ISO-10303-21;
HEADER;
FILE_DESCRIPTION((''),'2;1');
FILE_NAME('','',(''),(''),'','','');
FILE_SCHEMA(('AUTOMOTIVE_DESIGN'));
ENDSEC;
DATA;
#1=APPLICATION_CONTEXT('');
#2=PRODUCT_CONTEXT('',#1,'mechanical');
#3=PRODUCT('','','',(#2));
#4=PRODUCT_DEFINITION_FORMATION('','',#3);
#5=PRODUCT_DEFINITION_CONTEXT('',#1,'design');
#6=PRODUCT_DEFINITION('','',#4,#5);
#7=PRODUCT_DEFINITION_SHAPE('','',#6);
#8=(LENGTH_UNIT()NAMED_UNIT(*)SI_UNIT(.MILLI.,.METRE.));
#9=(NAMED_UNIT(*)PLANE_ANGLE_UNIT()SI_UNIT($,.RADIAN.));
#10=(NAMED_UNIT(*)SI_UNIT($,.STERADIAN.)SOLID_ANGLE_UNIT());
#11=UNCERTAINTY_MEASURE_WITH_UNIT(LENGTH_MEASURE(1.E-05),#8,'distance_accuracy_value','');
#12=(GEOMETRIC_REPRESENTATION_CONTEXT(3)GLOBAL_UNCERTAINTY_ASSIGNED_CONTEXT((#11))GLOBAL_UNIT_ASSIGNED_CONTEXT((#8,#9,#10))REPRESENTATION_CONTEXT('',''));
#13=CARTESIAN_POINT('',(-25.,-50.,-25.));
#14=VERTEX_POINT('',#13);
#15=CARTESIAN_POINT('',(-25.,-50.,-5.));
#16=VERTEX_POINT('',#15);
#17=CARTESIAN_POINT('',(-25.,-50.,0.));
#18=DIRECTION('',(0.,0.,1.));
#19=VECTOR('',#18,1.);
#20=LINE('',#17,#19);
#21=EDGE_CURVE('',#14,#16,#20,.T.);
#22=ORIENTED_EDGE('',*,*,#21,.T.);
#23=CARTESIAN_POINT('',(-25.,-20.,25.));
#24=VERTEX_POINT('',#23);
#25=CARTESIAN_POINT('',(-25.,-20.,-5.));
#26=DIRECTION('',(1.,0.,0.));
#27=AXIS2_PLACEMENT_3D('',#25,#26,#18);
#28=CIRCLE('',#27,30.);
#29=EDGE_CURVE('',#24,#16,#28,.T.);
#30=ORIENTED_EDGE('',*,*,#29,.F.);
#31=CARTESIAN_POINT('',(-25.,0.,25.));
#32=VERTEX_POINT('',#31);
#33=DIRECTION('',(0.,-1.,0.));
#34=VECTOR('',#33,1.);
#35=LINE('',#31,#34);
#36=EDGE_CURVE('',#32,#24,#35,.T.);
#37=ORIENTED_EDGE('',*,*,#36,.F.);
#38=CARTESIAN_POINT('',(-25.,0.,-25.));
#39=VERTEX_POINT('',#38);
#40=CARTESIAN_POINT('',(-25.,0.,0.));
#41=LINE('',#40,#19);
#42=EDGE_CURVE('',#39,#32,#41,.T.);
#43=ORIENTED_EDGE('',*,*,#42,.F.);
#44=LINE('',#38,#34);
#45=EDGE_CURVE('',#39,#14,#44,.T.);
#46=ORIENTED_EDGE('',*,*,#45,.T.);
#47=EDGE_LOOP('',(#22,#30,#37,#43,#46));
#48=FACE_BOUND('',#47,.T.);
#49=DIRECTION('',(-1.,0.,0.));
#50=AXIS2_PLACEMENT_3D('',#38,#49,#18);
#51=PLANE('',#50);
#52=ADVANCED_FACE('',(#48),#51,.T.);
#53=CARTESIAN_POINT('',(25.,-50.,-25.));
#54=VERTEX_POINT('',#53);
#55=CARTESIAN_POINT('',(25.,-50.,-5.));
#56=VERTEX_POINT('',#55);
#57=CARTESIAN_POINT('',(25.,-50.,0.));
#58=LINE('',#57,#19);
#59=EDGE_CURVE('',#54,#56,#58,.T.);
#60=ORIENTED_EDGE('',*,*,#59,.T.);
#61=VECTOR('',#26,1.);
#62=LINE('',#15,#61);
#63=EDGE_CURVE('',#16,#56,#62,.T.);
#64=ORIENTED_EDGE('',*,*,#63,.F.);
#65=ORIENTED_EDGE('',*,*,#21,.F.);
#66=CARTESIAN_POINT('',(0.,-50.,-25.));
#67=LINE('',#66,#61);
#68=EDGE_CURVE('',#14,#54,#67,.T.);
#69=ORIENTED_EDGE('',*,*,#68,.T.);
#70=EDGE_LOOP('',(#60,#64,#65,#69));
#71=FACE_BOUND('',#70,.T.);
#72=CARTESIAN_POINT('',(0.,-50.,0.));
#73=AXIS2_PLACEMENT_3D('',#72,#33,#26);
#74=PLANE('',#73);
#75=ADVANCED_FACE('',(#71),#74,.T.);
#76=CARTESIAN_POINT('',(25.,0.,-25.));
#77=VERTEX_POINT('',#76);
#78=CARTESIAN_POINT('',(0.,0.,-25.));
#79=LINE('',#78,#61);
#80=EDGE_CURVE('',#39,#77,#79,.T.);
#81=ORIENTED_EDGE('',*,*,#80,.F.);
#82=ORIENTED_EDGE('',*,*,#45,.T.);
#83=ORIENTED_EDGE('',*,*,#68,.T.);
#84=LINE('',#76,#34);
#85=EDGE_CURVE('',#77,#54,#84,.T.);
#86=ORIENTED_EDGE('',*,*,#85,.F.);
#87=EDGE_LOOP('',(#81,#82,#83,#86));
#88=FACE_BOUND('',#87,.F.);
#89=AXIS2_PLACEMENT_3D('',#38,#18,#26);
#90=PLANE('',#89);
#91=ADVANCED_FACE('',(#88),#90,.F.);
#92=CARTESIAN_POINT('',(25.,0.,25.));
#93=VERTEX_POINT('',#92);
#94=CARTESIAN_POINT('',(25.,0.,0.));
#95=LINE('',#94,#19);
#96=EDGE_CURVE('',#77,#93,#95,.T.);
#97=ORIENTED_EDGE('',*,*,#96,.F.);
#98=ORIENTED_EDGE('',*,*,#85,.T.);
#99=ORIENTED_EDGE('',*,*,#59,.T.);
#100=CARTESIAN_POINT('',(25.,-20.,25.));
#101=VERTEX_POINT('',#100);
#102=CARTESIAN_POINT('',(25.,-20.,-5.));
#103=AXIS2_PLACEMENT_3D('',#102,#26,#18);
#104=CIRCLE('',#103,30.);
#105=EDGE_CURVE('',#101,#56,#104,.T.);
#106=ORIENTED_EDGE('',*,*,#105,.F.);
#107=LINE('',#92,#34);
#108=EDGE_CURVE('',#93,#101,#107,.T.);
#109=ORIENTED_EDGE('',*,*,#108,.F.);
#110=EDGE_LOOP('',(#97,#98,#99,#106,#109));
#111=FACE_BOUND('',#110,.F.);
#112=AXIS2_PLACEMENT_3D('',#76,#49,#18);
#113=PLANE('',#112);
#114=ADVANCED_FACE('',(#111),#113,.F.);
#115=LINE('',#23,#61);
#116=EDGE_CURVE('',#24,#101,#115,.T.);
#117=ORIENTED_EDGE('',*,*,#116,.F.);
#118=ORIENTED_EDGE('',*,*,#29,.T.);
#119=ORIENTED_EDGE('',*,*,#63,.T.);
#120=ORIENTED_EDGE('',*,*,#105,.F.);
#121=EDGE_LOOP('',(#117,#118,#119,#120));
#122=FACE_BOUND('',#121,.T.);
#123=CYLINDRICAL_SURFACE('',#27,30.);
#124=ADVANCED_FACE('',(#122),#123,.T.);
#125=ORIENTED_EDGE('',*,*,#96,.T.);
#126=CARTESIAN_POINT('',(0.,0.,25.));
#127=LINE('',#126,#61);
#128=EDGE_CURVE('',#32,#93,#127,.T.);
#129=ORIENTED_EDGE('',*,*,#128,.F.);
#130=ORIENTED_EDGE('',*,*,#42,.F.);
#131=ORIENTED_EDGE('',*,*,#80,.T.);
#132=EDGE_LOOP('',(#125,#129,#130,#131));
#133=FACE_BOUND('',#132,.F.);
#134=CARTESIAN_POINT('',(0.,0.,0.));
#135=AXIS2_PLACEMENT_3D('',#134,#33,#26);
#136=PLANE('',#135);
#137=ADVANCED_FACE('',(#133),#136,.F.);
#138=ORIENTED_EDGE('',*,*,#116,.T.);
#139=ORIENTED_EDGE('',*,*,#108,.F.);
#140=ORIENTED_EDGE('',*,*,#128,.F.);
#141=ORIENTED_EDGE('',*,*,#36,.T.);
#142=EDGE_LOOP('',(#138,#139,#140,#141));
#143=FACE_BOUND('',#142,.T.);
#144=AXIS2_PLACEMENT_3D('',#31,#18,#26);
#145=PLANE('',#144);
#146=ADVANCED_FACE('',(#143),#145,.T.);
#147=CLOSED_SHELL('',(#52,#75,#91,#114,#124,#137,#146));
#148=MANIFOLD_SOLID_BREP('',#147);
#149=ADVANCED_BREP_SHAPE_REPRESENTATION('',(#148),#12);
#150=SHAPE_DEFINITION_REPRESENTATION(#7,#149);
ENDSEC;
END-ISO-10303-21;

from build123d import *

# Parameters (mm, degrees)
F0_W     = 50
F0_H     = 50
F1_DEPTH = 50
F2_R     = 30


with BuildPart() as f1:
    # F0 (on Front) → F1 (new body)
    with BuildSketch(Plane.XZ):
        Rectangle(F0_W, F0_H)
    extrude(amount=F1_DEPTH)

    # F2
    f2_edges = [f1.edges().sort_by_distance(p)[0] for p in [
        (0, -50, 25),
    ]]
    fillet(f2_edges, radius=F2_R)


solid = f1.part
